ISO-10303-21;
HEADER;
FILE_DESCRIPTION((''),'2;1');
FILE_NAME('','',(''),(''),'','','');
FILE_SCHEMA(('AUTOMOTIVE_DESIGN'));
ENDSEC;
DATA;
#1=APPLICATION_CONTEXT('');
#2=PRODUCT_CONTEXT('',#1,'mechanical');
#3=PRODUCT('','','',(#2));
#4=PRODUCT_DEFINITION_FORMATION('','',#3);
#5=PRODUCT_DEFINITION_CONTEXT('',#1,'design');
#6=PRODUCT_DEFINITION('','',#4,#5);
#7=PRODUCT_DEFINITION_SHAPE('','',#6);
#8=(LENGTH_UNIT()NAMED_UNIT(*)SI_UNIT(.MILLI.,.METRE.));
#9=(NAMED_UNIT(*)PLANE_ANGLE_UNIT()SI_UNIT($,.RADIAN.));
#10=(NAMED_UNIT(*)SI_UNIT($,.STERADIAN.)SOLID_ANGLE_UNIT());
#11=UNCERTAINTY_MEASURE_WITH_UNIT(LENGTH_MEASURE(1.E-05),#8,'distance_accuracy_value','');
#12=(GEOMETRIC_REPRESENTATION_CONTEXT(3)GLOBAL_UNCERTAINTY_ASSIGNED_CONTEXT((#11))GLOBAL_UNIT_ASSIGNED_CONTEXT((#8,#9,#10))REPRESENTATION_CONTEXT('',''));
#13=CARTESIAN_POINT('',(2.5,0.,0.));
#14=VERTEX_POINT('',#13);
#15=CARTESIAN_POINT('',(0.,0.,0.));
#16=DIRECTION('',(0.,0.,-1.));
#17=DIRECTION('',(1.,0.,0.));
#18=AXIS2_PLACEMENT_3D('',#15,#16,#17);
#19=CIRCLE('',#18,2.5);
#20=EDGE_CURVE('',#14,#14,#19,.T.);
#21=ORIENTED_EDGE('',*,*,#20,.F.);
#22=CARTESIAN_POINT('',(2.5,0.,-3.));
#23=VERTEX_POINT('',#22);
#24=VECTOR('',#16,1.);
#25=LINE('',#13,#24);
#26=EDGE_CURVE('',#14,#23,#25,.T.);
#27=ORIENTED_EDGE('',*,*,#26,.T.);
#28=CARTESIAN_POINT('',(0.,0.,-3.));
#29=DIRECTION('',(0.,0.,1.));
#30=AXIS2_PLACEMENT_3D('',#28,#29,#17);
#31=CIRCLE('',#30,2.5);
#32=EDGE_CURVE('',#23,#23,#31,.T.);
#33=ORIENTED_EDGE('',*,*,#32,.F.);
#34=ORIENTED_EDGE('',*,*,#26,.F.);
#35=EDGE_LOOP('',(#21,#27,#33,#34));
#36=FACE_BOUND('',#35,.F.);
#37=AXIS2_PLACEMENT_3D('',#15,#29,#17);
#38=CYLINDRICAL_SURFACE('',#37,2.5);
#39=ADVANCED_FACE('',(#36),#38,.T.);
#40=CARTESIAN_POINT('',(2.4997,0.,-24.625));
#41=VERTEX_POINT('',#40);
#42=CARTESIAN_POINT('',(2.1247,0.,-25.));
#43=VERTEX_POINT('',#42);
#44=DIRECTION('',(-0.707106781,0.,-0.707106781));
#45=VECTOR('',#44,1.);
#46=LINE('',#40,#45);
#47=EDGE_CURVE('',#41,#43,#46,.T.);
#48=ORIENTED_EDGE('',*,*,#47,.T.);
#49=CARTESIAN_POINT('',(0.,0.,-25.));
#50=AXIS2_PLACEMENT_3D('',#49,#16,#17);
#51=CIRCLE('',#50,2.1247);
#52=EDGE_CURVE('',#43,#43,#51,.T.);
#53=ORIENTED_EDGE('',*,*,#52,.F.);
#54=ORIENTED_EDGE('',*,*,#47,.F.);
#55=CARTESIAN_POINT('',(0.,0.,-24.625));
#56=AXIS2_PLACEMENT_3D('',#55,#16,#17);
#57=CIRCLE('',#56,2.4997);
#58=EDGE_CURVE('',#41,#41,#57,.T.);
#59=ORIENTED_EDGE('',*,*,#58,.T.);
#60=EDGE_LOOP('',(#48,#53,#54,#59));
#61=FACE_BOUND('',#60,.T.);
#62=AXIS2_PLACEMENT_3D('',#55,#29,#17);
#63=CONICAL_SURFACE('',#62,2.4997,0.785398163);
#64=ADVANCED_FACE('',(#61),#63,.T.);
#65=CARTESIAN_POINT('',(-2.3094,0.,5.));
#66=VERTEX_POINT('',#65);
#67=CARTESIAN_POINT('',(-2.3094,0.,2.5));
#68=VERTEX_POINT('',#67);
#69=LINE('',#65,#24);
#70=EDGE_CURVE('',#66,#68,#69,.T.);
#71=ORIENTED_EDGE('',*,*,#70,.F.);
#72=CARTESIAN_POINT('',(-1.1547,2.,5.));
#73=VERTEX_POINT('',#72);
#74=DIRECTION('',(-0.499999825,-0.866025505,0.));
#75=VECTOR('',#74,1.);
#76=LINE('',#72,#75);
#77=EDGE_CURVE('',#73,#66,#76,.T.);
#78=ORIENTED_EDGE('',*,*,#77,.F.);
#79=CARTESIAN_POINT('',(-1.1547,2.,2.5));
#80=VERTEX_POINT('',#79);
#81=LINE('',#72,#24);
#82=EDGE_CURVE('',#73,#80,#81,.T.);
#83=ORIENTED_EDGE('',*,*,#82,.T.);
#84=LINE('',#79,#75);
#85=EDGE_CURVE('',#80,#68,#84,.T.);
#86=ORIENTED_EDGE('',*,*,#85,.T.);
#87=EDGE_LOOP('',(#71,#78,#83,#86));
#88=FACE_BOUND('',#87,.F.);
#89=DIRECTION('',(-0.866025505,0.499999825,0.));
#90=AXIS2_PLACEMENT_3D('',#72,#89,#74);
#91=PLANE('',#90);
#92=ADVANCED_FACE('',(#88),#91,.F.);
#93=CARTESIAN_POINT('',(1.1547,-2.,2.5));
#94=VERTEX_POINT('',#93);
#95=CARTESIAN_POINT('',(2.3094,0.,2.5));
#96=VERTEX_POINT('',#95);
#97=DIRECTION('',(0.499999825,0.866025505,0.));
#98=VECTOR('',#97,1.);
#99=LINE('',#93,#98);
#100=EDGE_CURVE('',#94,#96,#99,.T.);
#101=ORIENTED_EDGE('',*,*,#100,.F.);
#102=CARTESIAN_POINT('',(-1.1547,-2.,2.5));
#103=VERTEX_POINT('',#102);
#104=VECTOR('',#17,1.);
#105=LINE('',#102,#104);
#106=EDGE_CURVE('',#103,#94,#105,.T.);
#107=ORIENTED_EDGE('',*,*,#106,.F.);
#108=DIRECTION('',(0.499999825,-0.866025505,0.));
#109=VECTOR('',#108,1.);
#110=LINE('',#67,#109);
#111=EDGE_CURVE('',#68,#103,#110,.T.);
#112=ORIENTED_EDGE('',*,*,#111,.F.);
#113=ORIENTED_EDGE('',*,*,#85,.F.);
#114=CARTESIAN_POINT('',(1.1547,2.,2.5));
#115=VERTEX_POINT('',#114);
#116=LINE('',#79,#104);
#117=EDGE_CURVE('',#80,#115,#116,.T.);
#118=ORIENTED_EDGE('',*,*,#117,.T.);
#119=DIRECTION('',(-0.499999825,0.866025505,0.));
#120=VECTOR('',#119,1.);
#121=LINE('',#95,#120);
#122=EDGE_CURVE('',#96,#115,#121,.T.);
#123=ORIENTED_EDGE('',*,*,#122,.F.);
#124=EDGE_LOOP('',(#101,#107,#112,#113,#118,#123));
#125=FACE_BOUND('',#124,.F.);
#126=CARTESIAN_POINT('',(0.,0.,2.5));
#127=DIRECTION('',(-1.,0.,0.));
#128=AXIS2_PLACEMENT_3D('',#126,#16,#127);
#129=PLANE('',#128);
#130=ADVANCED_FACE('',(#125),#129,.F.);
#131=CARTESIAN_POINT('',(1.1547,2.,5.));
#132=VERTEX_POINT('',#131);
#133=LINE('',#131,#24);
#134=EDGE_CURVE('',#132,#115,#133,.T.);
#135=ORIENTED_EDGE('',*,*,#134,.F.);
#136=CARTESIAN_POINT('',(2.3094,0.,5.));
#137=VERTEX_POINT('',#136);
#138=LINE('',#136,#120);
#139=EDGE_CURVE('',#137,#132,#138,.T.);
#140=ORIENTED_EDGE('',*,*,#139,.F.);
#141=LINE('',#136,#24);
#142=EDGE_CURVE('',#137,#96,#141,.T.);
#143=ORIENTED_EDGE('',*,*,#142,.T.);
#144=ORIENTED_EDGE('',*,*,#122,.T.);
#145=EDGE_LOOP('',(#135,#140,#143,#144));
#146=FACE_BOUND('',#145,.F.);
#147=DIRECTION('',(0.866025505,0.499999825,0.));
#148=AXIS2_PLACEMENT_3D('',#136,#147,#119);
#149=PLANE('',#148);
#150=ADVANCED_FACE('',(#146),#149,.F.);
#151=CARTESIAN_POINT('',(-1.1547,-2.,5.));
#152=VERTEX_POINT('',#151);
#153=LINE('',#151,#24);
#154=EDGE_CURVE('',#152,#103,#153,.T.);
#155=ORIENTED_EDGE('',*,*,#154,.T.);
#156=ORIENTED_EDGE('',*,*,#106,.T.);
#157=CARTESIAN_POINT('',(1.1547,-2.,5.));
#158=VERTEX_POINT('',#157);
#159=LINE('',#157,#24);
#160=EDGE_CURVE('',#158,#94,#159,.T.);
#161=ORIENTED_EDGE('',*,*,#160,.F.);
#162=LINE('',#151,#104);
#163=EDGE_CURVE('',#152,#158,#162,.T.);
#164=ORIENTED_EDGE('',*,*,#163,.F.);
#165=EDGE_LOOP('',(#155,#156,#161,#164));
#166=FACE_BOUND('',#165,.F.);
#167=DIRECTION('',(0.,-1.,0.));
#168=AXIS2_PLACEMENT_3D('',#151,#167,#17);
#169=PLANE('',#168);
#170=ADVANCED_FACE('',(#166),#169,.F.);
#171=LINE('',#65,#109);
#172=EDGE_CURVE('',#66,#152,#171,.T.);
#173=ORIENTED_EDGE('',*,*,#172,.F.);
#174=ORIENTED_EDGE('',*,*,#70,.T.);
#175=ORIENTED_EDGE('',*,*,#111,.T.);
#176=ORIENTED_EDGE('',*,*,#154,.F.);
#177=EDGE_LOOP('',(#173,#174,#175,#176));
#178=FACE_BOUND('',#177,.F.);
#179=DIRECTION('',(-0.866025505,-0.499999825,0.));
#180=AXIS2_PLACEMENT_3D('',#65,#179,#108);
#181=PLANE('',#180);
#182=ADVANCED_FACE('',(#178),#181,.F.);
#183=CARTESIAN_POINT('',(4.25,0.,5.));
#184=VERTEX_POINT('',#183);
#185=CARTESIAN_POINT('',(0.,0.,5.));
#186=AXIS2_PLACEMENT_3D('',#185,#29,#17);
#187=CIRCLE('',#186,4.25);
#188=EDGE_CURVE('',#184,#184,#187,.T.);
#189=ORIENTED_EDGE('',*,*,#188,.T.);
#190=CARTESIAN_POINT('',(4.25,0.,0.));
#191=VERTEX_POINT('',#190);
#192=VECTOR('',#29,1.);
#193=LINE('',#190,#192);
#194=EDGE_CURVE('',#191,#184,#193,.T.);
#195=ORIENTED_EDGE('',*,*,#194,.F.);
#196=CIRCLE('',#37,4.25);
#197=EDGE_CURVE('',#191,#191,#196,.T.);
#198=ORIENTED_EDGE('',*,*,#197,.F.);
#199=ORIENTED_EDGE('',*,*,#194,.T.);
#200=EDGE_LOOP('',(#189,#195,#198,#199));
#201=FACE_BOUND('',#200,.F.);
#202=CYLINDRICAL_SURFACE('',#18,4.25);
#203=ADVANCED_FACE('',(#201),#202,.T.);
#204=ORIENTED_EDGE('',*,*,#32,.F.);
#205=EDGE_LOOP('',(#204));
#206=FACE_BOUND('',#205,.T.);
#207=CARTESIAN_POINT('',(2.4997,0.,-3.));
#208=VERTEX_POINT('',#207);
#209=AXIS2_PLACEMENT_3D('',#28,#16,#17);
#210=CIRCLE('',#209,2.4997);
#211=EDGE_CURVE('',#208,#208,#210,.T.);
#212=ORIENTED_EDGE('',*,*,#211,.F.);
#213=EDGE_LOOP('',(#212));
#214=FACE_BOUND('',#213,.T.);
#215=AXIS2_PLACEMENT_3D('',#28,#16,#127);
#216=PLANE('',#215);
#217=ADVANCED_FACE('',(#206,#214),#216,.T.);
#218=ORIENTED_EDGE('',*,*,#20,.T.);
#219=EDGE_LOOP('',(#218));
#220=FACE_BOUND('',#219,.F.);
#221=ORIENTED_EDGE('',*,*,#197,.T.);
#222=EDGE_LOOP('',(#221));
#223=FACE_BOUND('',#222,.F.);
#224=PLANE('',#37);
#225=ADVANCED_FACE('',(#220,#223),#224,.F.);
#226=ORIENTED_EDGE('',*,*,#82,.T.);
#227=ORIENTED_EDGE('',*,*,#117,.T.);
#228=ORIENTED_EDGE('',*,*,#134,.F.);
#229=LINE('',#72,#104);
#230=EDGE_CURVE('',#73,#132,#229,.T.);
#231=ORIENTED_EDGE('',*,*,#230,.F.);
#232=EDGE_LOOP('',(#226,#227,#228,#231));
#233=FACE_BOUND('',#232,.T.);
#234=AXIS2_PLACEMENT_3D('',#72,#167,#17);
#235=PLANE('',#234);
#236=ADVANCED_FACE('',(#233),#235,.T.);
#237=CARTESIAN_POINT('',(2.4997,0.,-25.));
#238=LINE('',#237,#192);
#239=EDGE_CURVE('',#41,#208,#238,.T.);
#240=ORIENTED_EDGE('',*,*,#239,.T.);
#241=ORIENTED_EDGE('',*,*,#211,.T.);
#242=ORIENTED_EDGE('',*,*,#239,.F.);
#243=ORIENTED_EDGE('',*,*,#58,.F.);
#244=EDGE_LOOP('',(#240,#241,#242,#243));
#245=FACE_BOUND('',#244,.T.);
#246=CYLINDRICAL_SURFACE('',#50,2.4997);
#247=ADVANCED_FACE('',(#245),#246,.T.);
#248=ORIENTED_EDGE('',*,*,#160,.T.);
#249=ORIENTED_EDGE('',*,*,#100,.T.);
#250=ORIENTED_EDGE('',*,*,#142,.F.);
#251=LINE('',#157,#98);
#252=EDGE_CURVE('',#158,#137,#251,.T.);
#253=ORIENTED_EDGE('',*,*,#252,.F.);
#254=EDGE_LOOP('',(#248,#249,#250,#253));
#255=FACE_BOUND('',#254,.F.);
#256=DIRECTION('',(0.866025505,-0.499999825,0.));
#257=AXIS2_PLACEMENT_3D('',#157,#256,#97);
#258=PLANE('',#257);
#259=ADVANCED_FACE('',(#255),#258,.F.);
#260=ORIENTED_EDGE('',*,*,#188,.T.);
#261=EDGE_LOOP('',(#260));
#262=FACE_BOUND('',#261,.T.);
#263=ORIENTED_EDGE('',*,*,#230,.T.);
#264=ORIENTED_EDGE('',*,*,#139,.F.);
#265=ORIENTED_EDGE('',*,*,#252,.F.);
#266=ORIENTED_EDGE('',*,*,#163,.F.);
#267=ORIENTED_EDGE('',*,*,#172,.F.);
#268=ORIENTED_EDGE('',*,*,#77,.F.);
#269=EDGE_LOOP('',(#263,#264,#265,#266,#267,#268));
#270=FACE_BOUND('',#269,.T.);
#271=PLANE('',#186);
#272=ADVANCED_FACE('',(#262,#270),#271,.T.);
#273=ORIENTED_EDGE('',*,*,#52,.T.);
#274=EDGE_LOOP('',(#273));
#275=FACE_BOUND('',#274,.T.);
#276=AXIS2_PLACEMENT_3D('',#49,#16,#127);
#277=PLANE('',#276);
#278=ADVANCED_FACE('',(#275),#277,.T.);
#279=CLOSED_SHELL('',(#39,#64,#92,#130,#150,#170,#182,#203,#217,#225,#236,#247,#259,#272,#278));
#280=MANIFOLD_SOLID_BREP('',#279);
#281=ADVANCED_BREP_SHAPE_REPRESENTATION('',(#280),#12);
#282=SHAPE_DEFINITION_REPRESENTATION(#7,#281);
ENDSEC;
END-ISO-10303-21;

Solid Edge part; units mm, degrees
sketch "Sketch1" plane through (0, 0, 0) normal (0, 0, 1) x (1, 0, 0)
  circle A0 centre (0, 0) radius 4.25
  dimension "D1" = 8.5
extrude "Protrusion1" add sketch "Sketch1" along normal blind 5
sketch "Sketch2" plane through (0, 0, 0) normal (0, 0, -1) x (1, 0, 0)
  circle A0 centre (0, 0) radius 2.5
extrude "Protrusion2" add sketch "Sketch2" along normal blind 25
sketch "Sketch3" plane through (0, 0, -25) normal (0, 0, -1) x (1, 0, 0)
  circle A0 centre (0, 0) radius 2.4997
extrude "Cutout1" cut sketch "Sketch3" against normal blind 22 flip side to cut
chamfer "Chamfer_1" distance 0.375 angle 45 1 edges at (-2.4997, 0, -25)
sketch "Sketch4" plane through (0, 0, 5) normal (0, 0, 1) x (1, 0, 0)
  line L0 (-1.1547, 2) -> (1.1547, 2)
  line L1 (2.3094, 0) -> (1.1547, 2)
  line L2 (1.1547, -2) -> (2.3094, 0)
  line L3 (-1.1547, -2) -> (1.1547, -2)
  line L4 (-2.3094, 0) -> (-1.1547, -2)
  line L5 (-1.1547, 2) -> (-2.3094, 0)
  dimension "D1" = 4
extrude "Cutout2" cut sketch "Sketch4" against normal blind 2.5
properties part number "24104801"
